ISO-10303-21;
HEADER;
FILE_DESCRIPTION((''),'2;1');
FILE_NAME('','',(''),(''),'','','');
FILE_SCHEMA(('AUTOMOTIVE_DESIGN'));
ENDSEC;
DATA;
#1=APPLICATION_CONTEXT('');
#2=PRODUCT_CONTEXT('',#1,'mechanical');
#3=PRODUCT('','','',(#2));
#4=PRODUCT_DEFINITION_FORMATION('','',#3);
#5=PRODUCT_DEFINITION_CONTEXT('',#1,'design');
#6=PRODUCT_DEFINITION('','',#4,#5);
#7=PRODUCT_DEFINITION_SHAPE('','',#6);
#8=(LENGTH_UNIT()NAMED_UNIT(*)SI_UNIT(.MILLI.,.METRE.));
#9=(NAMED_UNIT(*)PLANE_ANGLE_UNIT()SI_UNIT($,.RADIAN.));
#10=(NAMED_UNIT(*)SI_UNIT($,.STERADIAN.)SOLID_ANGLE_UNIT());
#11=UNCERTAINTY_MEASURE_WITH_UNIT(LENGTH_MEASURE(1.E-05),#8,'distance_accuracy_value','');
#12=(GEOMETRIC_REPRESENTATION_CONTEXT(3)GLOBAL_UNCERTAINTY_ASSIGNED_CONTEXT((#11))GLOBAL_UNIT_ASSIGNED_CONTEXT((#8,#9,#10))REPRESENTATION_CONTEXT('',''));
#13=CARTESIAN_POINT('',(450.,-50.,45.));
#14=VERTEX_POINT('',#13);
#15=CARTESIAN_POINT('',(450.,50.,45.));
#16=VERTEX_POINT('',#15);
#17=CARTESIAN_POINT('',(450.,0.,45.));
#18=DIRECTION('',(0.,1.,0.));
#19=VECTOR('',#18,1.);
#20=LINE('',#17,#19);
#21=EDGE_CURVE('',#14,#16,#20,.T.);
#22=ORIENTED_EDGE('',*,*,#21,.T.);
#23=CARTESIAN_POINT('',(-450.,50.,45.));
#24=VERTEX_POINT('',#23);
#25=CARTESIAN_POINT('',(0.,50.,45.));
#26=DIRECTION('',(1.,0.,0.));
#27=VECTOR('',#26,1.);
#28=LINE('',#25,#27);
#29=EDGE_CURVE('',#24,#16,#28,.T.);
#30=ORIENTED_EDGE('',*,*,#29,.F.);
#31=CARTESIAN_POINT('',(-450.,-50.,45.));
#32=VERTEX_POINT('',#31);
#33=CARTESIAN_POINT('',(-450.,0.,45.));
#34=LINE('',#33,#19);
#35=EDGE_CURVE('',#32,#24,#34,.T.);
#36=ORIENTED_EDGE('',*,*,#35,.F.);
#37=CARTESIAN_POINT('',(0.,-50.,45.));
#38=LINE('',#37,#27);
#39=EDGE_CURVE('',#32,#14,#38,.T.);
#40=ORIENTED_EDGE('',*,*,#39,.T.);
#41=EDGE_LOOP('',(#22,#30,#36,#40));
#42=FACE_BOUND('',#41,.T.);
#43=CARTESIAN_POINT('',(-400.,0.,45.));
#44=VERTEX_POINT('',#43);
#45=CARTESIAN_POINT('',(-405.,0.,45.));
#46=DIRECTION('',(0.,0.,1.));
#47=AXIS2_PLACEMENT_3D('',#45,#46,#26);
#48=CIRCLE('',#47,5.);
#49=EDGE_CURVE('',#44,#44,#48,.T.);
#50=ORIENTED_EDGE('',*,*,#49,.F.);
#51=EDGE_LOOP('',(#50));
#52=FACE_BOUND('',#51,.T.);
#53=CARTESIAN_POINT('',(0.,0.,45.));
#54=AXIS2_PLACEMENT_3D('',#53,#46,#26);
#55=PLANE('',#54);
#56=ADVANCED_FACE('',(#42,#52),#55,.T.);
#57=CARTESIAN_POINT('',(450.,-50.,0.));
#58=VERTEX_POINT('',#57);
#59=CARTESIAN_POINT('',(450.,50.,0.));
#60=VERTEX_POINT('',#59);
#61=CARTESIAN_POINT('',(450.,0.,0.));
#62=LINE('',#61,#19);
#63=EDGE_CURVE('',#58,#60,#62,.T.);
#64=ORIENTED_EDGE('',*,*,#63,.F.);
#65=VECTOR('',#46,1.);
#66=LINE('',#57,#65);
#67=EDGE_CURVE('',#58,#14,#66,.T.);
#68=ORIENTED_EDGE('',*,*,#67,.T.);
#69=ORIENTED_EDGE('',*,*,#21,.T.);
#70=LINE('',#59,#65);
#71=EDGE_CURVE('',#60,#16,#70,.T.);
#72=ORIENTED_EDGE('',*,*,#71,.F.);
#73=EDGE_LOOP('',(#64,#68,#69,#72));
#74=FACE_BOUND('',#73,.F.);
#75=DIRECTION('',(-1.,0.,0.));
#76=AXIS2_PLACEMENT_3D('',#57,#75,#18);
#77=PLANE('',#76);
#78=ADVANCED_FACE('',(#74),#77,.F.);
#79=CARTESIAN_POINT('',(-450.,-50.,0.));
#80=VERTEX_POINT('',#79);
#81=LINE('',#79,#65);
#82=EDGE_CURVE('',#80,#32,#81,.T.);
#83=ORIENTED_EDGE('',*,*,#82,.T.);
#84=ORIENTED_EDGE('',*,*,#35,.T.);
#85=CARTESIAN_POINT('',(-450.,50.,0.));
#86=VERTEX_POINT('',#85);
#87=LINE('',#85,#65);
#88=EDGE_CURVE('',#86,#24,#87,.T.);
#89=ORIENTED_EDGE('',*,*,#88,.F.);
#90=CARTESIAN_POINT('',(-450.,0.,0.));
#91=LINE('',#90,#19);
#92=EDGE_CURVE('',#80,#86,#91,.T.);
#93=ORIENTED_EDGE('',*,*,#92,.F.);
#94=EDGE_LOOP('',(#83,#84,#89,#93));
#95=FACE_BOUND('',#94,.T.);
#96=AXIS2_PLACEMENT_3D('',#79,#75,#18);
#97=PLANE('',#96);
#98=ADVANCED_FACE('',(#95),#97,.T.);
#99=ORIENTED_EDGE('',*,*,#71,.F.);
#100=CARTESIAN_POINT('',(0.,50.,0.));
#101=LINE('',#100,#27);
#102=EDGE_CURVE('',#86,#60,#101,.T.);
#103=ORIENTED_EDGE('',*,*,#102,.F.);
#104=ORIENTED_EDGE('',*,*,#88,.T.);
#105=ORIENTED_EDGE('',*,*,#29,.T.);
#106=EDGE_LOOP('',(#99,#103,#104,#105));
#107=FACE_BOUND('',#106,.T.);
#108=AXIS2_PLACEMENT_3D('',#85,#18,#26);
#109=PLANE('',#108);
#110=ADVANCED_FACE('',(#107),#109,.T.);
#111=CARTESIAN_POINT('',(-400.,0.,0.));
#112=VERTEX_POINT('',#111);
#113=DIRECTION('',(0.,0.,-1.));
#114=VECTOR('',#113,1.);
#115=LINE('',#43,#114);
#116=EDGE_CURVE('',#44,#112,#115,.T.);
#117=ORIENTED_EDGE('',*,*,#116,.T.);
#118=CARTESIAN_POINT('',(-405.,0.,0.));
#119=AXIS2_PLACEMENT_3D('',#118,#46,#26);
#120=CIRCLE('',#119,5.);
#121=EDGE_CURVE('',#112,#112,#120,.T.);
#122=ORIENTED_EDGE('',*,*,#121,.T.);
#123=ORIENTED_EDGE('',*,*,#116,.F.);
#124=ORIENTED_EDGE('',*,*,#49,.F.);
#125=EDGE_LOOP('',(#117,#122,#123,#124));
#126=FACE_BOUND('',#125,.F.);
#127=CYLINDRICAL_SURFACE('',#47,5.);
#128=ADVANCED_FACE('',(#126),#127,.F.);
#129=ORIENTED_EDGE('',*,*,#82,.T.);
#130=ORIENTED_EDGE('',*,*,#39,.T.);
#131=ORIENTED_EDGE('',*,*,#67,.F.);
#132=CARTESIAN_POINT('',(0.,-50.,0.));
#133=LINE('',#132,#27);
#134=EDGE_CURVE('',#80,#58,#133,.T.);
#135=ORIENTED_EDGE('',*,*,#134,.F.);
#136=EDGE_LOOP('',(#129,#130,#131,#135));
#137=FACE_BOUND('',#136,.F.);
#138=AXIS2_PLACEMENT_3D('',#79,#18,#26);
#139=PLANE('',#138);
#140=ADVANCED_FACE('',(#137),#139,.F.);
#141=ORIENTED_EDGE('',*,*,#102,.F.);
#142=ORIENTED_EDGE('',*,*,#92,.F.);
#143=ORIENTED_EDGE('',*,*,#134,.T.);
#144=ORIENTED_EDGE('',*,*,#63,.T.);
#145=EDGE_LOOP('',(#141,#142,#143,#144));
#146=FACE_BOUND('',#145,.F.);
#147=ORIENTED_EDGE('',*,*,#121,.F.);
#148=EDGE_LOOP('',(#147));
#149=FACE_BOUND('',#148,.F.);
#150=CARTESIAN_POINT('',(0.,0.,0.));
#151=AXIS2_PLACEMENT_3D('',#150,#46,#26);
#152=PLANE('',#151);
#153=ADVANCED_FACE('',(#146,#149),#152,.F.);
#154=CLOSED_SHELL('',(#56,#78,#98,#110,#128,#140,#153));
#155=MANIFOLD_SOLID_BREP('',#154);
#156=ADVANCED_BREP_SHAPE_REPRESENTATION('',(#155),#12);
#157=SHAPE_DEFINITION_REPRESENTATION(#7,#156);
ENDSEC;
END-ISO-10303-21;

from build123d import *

# Parameters (mm, degrees)
F0_W     = 900
F0_H     = 100
F1_DEPTH = 45
F3_DEPTH = 130.1


with BuildPart() as f1:
    # F0 (on Top) → F1 (new body)
    with BuildSketch(Plane.XY):
        Rectangle(F0_W, F0_H)
    extrude(amount=F1_DEPTH)

    # F2 (on face) → F3 (cut)
    with BuildSketch(Plane.XY.offset(45)):
        with BuildLine():
            ThreePointArc((-410, 0), (-405, -5), (-400, 0))
            ThreePointArc((-400, 0), (-405, 5), (-410, 0))
        make_face()
    extrude(amount=-F3_DEPTH, mode=Mode.SUBTRACT)


solid = f1.part
